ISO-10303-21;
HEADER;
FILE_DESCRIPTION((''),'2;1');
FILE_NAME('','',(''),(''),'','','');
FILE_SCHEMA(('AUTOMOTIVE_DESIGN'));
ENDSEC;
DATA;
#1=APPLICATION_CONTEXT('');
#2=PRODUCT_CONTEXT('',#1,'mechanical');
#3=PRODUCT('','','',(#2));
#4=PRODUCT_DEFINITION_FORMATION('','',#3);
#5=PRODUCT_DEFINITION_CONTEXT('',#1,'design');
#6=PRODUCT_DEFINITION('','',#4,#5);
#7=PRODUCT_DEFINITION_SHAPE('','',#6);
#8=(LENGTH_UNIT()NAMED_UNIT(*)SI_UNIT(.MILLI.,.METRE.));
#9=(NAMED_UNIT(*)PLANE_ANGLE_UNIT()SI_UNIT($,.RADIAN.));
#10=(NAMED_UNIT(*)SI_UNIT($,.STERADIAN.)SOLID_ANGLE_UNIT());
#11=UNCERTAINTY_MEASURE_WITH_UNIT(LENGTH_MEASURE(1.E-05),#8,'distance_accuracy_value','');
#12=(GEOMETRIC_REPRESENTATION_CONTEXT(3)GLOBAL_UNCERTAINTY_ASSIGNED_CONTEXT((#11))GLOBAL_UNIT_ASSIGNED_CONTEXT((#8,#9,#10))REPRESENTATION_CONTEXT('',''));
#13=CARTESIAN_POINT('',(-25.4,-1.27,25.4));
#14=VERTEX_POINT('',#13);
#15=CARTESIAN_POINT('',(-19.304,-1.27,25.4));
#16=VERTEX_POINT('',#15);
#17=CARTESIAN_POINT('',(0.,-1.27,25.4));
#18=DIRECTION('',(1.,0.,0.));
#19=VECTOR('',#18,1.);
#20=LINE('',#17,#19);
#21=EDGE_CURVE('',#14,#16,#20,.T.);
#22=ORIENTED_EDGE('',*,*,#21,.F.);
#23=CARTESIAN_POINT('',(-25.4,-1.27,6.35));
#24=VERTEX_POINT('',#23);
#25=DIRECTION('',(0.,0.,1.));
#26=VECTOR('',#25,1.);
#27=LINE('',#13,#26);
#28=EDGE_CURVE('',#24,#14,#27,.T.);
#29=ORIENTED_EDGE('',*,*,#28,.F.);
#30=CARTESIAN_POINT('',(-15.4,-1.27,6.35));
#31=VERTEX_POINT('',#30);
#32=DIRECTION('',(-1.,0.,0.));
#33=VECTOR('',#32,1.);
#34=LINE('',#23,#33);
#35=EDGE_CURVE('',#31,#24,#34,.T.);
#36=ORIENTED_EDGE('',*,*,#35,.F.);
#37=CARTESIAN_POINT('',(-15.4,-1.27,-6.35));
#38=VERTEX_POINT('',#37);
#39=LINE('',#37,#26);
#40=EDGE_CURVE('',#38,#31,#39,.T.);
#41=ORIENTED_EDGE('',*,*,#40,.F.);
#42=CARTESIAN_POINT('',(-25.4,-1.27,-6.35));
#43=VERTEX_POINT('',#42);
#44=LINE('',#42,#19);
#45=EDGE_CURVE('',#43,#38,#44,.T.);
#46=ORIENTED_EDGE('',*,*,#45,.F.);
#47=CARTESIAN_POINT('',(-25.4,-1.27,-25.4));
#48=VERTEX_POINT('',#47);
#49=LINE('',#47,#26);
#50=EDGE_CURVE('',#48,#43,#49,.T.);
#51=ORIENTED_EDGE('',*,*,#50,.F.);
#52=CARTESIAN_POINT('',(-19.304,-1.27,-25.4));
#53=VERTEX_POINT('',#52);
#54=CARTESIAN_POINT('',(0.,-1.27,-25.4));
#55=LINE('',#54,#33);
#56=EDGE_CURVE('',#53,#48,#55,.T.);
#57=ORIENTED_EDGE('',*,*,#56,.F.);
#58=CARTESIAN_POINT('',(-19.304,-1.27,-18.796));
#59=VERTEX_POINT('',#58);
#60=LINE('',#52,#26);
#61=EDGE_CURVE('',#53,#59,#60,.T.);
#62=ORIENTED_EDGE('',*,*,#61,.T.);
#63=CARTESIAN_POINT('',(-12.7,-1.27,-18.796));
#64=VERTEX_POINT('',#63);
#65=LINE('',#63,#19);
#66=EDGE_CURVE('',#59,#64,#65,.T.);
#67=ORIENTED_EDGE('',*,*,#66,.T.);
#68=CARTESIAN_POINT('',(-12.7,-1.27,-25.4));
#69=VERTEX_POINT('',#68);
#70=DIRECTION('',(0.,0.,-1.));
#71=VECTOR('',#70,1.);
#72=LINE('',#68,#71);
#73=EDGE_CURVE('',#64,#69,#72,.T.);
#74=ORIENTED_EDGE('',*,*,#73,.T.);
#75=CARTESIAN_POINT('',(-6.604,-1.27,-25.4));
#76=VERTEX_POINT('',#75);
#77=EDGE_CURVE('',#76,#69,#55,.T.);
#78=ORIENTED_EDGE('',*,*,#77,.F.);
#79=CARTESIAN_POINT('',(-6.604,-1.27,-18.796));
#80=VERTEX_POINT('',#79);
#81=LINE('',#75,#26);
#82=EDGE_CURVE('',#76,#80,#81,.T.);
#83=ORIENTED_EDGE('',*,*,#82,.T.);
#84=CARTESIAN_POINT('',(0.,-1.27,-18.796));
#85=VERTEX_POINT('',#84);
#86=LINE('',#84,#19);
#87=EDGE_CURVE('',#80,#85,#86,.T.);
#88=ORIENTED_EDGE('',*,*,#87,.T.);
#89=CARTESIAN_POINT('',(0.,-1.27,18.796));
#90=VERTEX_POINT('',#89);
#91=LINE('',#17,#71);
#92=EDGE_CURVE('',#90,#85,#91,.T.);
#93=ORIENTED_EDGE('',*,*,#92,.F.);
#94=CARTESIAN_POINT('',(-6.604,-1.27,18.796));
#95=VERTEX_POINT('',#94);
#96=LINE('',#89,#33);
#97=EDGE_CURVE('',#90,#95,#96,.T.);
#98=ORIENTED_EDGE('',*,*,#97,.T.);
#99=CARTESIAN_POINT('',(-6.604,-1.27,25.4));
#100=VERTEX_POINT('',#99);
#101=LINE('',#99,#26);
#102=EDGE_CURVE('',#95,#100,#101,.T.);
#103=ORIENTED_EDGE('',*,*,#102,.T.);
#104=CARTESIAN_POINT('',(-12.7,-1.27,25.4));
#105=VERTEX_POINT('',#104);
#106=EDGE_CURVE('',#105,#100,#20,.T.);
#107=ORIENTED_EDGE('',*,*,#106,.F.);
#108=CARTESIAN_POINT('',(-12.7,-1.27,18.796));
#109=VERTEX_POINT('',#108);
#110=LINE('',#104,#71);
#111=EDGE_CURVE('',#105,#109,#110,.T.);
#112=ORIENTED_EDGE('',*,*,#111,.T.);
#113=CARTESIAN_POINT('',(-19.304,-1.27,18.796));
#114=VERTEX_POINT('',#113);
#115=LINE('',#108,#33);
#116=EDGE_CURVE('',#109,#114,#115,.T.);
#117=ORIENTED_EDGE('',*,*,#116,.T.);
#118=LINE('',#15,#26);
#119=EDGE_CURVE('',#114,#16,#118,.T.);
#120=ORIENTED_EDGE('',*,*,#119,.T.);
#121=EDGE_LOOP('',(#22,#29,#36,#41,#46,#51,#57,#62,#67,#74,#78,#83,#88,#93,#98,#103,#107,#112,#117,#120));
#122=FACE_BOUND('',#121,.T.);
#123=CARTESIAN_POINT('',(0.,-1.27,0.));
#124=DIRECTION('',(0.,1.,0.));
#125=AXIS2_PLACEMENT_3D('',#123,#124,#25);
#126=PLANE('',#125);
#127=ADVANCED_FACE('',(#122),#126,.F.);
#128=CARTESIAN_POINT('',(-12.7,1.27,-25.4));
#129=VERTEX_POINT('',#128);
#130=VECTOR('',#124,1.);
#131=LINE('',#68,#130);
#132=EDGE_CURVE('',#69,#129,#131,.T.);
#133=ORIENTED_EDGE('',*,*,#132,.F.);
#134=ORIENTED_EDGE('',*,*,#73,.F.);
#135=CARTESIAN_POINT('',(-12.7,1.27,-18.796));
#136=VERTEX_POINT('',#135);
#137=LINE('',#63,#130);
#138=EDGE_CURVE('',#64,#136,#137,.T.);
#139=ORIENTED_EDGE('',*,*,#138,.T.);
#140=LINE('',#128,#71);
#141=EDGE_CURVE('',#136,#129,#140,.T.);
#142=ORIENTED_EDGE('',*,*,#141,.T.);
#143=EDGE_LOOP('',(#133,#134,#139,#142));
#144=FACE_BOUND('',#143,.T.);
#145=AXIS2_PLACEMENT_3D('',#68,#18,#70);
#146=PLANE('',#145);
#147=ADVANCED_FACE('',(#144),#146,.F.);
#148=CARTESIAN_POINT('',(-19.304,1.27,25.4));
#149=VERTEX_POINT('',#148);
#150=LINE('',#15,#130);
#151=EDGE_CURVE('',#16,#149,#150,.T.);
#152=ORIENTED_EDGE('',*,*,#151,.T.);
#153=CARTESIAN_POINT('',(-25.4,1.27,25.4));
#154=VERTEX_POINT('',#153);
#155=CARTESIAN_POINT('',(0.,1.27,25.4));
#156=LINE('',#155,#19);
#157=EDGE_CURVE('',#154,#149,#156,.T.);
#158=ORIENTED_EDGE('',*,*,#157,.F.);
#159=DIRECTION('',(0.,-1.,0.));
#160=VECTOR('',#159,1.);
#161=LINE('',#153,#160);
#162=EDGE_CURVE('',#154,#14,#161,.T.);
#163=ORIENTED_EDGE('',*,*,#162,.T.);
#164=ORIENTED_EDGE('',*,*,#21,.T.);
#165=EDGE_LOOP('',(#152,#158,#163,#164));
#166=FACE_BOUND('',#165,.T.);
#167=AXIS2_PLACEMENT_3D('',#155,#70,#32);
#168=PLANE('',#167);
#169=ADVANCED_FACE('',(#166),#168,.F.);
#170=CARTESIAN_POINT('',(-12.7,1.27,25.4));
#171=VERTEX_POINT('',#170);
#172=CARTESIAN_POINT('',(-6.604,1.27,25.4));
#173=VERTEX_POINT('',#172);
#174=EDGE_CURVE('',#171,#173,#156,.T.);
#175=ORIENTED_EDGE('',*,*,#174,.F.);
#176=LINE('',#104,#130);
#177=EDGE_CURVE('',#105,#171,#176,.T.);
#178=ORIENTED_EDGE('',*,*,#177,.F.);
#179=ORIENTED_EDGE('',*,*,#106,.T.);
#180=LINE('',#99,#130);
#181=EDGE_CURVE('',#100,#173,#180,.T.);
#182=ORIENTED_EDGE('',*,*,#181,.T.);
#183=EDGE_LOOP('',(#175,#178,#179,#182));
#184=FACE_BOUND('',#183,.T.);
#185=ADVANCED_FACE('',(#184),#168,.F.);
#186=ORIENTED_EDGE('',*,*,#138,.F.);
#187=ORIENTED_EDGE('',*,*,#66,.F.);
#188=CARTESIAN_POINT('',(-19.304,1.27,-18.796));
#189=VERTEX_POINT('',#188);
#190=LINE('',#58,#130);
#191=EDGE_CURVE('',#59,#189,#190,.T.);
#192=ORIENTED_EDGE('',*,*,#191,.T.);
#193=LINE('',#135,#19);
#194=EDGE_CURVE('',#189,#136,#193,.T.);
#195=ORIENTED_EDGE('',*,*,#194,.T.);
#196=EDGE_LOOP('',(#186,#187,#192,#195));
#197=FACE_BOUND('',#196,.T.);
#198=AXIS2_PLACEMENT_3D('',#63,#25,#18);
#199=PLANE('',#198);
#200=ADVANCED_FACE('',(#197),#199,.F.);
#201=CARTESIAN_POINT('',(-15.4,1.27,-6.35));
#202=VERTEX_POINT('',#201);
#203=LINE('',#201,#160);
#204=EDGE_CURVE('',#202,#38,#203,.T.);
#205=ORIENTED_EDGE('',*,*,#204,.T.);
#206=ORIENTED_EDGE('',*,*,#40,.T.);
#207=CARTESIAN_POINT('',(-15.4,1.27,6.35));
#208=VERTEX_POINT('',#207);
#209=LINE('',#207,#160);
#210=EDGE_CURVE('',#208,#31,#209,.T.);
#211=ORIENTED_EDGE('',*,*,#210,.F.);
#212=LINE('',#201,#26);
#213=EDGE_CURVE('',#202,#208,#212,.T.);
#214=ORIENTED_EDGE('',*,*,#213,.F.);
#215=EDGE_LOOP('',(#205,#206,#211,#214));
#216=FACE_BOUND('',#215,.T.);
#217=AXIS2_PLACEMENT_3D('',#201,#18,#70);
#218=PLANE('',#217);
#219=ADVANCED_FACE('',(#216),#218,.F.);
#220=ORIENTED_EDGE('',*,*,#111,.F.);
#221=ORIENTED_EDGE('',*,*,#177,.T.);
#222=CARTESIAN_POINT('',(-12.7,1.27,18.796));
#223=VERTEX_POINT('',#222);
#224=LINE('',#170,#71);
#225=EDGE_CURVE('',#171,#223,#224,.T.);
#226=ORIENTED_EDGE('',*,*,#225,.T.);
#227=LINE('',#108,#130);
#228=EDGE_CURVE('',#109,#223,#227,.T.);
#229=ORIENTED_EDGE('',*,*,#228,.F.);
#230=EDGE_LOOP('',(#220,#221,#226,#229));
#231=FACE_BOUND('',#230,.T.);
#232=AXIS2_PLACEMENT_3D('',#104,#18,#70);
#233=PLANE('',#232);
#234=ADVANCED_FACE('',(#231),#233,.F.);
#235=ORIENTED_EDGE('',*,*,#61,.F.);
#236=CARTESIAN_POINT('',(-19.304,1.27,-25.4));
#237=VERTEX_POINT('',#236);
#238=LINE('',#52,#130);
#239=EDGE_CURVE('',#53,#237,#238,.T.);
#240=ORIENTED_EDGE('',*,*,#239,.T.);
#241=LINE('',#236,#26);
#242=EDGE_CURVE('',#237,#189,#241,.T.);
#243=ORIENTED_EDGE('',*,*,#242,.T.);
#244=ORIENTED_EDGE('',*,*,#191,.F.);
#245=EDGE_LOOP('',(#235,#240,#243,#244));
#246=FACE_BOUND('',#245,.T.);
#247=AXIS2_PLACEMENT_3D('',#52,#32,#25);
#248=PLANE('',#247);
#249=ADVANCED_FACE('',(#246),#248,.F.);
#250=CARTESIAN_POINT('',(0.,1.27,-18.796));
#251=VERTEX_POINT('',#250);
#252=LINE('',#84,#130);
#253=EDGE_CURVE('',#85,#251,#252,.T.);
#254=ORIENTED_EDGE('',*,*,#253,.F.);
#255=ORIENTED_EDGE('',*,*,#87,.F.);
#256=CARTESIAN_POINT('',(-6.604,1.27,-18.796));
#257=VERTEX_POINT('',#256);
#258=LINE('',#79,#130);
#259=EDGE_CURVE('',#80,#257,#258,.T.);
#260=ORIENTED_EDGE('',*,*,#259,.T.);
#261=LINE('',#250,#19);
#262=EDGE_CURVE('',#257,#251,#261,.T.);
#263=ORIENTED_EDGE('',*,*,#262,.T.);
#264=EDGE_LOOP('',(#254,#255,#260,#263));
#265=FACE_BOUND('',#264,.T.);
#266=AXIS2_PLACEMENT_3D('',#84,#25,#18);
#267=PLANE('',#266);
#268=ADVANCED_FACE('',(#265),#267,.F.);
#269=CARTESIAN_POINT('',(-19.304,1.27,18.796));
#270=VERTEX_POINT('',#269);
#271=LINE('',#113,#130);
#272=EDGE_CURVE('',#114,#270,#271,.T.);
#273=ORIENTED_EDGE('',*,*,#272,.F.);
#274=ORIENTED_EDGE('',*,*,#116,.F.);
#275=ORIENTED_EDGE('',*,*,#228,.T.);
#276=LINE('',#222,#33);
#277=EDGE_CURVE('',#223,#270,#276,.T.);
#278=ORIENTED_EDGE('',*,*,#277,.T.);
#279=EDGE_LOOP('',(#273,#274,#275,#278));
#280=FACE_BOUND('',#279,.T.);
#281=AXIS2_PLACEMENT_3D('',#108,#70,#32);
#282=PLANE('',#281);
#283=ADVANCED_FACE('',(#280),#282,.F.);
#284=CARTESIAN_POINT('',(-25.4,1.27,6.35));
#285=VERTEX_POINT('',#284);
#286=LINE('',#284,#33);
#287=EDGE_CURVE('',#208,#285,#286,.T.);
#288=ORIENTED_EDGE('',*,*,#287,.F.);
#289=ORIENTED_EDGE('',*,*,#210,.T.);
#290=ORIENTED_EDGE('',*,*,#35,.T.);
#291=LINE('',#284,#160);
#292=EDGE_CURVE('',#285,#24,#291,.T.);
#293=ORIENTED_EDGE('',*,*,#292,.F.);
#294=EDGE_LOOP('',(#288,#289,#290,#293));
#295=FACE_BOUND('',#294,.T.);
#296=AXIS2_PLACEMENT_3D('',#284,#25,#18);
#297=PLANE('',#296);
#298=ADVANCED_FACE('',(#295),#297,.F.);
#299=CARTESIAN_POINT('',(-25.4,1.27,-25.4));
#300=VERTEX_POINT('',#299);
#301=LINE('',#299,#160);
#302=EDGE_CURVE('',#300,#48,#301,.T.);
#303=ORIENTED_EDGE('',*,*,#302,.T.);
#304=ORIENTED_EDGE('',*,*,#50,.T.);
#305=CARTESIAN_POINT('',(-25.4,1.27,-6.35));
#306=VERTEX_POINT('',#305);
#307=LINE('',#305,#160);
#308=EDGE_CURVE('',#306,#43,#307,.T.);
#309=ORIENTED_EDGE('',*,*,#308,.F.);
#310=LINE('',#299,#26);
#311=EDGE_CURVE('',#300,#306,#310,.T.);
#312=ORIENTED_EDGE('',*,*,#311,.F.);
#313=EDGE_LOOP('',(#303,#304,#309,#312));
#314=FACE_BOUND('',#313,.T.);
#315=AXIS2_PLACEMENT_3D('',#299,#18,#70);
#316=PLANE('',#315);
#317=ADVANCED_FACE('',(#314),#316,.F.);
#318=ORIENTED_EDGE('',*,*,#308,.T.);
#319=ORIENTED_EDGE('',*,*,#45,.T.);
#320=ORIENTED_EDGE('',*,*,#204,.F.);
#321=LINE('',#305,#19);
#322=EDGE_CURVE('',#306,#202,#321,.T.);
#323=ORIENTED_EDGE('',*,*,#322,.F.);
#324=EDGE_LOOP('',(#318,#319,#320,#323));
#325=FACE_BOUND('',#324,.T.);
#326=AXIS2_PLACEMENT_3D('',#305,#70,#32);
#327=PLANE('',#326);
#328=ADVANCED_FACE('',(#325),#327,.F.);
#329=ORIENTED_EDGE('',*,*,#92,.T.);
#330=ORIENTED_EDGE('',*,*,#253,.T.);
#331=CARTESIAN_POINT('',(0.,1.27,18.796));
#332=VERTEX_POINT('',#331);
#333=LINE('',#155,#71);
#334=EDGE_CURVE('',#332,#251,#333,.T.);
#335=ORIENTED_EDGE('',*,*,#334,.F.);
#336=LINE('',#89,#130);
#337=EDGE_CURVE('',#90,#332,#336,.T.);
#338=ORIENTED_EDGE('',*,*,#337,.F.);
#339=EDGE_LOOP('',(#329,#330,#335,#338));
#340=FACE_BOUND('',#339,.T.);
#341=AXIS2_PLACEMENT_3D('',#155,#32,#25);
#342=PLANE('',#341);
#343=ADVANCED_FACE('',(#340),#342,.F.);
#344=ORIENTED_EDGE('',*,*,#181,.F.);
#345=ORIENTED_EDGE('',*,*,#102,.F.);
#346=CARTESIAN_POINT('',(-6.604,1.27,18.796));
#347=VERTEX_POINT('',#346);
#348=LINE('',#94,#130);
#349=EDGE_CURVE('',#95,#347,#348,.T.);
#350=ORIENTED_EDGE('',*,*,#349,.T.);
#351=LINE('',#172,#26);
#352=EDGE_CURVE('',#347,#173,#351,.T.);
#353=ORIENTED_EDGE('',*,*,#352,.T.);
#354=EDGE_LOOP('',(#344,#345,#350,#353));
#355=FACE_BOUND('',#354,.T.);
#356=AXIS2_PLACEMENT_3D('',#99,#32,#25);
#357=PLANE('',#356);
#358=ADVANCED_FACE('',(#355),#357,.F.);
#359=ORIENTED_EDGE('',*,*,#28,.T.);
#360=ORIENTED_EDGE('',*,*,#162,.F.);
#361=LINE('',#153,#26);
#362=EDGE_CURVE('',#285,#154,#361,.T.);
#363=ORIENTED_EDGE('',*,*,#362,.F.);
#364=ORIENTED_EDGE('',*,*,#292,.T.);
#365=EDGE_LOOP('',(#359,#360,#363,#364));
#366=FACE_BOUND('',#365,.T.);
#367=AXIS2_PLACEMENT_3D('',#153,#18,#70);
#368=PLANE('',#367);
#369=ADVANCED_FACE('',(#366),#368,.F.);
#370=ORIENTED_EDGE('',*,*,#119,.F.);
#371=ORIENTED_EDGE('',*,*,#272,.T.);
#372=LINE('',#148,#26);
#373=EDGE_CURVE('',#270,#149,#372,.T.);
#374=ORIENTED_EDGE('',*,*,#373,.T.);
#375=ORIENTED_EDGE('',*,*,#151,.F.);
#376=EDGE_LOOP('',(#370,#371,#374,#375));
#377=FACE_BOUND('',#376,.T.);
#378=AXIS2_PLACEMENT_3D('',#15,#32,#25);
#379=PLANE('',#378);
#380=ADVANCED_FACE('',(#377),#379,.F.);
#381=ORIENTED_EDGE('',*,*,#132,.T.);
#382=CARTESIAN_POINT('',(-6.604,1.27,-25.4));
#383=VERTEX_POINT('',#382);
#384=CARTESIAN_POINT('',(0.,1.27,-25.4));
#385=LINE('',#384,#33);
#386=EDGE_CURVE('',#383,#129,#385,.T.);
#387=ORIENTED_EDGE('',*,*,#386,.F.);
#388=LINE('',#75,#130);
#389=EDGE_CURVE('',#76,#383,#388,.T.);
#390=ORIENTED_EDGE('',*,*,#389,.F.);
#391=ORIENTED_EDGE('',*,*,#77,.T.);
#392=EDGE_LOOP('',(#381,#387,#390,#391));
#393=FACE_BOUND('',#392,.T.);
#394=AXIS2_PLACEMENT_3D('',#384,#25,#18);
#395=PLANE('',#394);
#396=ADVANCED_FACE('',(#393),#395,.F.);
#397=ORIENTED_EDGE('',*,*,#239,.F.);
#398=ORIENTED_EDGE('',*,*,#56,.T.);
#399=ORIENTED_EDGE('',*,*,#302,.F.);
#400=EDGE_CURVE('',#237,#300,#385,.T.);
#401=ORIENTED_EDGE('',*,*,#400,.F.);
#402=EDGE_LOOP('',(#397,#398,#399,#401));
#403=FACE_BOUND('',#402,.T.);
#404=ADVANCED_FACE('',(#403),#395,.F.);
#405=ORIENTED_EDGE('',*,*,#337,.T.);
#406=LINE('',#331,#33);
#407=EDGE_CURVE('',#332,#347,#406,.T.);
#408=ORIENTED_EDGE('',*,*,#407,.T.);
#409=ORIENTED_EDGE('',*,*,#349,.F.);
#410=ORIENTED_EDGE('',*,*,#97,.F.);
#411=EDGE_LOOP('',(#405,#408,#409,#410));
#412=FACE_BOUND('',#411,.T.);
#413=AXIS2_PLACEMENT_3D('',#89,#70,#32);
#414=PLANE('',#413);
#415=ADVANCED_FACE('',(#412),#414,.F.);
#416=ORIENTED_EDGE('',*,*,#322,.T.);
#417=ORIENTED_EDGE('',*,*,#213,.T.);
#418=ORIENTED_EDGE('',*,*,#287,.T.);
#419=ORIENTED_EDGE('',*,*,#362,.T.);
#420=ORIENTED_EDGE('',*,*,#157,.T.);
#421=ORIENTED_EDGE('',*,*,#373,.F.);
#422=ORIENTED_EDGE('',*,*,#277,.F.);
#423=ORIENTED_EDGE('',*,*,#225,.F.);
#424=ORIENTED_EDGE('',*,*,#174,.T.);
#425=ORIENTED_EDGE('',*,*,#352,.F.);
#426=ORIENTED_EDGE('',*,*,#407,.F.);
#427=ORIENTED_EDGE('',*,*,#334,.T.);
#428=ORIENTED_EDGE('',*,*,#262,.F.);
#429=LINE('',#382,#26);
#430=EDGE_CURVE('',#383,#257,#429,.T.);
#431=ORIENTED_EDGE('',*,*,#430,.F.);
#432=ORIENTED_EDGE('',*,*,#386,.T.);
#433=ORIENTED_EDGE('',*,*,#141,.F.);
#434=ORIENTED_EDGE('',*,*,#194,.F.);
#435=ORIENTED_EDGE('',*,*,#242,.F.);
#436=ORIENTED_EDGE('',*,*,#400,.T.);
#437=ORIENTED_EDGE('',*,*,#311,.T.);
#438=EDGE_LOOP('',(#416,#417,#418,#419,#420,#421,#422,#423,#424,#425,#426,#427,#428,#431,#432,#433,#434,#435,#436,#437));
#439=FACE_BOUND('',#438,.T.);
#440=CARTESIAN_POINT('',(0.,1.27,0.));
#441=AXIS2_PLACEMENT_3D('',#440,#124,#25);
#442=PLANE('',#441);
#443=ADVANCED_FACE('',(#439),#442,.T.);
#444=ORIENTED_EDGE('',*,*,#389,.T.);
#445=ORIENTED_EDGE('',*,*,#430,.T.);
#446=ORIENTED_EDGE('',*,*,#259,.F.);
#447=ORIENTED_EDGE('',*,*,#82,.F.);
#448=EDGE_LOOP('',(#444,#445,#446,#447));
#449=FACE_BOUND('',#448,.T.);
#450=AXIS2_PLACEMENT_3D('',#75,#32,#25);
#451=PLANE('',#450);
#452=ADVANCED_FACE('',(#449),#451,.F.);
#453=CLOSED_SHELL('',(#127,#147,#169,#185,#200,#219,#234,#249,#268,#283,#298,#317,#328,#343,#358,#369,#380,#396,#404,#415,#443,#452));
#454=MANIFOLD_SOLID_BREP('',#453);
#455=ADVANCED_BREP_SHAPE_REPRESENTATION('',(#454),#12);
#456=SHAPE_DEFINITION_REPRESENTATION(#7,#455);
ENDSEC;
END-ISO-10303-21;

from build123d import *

# Parameters (mm, degrees)
BOSS_EXTRUDE1_DEPTH = 1.27
SKETCH2_W           = 6.604
SKETCH2_H           = 6.604
CUT_EXTRUDE1_DEPTH  = 37.010715072


with BuildPart() as part:
    # Sketch1 → Boss-Extrude1 (new, symmetric)
    with BuildSketch(Plane(origin=(0, 0, 0), x_dir=(1, 0, 0), z_dir=(0, 1, 0))):
        Polygon((0, -25.4), (0, 25.4), (-25.4, 25.4), (-25.4, 6.35), (-15.4, 6.35), (-15.4, -6.35), (-25.4, -6.35), (-25.4, -25.4), align=None)
    extrude(amount=BOSS_EXTRUDE1_DEPTH, both=True)

    # Sketch2 → Cut-Extrude1 (cut, through all)
    with BuildSketch(Plane(origin=(0, 1.27, 0), x_dir=(1, 0, 0), z_dir=(0, 1, 0))):
        with Locations((-3.302, 22.098)):
            Rectangle(SKETCH2_W, SKETCH2_H)
        with Locations((-16.002, 22.098)):
            Rectangle(SKETCH2_W, SKETCH2_H)
        with Locations((-16.002, -22.098)):
            Rectangle(SKETCH2_W, SKETCH2_H)
        with Locations((-3.302, -22.098)):
            Rectangle(SKETCH2_W, SKETCH2_H)
    extrude(amount=-CUT_EXTRUDE1_DEPTH, mode=Mode.SUBTRACT)


solid = part.part
